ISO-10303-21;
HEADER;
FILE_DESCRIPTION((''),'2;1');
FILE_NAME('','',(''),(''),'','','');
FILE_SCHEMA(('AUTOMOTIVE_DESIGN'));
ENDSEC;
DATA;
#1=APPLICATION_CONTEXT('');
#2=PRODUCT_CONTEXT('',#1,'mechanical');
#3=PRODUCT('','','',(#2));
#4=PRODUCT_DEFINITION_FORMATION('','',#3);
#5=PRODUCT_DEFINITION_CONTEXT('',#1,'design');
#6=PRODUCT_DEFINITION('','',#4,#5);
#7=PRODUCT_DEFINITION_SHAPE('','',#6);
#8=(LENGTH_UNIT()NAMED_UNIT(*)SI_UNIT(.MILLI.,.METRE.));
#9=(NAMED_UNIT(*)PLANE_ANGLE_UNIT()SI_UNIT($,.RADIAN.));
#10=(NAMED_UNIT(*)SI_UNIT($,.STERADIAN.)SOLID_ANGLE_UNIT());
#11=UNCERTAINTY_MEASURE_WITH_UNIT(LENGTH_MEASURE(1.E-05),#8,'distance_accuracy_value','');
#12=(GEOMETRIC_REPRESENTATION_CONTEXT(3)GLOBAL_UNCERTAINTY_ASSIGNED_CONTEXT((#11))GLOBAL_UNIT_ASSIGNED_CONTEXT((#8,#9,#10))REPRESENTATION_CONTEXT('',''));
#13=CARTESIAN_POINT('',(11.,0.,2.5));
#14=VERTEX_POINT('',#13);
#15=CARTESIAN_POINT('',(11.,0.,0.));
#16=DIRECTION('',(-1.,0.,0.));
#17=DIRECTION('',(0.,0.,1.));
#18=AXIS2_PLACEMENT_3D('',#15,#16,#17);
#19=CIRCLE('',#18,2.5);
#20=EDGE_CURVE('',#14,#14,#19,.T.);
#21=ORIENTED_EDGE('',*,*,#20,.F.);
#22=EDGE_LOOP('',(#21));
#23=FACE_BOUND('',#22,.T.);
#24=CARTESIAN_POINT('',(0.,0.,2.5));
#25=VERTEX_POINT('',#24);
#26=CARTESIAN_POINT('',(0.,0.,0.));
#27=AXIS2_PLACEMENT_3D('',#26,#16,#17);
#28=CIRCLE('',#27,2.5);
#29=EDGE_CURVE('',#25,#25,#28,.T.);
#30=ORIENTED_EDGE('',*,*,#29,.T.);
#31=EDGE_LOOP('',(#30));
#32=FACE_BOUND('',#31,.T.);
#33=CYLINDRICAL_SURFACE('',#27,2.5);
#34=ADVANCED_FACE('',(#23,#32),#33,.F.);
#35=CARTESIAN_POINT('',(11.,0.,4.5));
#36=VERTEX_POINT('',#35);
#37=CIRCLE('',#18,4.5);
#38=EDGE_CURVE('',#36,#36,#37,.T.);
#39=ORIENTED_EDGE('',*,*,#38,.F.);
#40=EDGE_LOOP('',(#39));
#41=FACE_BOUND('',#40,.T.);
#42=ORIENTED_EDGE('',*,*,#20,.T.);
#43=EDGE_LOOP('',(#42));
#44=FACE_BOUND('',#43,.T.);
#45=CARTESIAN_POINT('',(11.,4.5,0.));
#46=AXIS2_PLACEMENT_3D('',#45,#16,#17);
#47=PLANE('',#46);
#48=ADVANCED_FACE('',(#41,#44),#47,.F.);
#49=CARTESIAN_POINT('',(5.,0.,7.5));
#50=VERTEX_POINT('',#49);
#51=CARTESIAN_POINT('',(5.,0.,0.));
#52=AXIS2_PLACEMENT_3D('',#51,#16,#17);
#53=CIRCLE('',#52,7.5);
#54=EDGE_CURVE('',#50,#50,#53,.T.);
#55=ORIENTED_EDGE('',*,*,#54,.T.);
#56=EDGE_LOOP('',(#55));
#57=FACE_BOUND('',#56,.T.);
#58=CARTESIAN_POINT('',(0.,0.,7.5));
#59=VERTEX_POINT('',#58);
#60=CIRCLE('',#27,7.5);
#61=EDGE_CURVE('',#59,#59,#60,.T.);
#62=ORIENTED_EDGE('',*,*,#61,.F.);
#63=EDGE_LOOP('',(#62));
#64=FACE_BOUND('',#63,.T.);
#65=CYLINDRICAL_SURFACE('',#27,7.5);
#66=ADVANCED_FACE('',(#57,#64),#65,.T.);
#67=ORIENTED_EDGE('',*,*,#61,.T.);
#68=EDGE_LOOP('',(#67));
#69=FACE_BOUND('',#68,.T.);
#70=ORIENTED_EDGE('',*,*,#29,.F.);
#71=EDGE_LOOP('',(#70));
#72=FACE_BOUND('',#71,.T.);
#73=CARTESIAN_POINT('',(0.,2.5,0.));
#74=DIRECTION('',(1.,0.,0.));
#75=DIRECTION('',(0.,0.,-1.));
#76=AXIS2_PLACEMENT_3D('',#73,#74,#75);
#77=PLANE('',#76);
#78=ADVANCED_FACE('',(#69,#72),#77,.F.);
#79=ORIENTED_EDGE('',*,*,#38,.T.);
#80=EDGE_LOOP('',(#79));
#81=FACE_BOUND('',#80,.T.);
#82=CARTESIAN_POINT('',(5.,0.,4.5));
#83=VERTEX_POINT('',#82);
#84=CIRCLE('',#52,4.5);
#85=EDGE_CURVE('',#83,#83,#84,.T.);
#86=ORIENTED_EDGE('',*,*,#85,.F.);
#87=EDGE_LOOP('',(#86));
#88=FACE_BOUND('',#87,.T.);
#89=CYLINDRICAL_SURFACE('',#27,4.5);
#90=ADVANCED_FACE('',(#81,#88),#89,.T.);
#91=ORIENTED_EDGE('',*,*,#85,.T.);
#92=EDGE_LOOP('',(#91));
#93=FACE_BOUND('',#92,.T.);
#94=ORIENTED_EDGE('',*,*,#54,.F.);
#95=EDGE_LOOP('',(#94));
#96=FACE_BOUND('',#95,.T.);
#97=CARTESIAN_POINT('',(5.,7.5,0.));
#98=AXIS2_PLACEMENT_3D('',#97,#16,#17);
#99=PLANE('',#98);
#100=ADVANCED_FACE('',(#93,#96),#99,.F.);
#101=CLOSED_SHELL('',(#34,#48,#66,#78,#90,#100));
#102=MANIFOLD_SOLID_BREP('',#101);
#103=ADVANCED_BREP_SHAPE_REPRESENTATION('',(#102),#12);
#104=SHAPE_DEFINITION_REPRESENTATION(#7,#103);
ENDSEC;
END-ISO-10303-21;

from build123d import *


with BuildPart() as part:
    # Sketch1 → Revolve1 (revolve)
    with BuildSketch(Plane.XY, mode=Mode.PRIVATE) as revolve1_sk:
        Polygon((0, 2.5), (0, 7.5), (5, 7.5), (5, 4.5), (11, 4.5), (11, 2.5), align=None)
    revolve(revolve1_sk.sketch.rotate(Axis((0, 0, 0), (1, 0, 0)), 90), axis=Axis((0, 0, 0), (1, 0, 0)))


solid = part.part
